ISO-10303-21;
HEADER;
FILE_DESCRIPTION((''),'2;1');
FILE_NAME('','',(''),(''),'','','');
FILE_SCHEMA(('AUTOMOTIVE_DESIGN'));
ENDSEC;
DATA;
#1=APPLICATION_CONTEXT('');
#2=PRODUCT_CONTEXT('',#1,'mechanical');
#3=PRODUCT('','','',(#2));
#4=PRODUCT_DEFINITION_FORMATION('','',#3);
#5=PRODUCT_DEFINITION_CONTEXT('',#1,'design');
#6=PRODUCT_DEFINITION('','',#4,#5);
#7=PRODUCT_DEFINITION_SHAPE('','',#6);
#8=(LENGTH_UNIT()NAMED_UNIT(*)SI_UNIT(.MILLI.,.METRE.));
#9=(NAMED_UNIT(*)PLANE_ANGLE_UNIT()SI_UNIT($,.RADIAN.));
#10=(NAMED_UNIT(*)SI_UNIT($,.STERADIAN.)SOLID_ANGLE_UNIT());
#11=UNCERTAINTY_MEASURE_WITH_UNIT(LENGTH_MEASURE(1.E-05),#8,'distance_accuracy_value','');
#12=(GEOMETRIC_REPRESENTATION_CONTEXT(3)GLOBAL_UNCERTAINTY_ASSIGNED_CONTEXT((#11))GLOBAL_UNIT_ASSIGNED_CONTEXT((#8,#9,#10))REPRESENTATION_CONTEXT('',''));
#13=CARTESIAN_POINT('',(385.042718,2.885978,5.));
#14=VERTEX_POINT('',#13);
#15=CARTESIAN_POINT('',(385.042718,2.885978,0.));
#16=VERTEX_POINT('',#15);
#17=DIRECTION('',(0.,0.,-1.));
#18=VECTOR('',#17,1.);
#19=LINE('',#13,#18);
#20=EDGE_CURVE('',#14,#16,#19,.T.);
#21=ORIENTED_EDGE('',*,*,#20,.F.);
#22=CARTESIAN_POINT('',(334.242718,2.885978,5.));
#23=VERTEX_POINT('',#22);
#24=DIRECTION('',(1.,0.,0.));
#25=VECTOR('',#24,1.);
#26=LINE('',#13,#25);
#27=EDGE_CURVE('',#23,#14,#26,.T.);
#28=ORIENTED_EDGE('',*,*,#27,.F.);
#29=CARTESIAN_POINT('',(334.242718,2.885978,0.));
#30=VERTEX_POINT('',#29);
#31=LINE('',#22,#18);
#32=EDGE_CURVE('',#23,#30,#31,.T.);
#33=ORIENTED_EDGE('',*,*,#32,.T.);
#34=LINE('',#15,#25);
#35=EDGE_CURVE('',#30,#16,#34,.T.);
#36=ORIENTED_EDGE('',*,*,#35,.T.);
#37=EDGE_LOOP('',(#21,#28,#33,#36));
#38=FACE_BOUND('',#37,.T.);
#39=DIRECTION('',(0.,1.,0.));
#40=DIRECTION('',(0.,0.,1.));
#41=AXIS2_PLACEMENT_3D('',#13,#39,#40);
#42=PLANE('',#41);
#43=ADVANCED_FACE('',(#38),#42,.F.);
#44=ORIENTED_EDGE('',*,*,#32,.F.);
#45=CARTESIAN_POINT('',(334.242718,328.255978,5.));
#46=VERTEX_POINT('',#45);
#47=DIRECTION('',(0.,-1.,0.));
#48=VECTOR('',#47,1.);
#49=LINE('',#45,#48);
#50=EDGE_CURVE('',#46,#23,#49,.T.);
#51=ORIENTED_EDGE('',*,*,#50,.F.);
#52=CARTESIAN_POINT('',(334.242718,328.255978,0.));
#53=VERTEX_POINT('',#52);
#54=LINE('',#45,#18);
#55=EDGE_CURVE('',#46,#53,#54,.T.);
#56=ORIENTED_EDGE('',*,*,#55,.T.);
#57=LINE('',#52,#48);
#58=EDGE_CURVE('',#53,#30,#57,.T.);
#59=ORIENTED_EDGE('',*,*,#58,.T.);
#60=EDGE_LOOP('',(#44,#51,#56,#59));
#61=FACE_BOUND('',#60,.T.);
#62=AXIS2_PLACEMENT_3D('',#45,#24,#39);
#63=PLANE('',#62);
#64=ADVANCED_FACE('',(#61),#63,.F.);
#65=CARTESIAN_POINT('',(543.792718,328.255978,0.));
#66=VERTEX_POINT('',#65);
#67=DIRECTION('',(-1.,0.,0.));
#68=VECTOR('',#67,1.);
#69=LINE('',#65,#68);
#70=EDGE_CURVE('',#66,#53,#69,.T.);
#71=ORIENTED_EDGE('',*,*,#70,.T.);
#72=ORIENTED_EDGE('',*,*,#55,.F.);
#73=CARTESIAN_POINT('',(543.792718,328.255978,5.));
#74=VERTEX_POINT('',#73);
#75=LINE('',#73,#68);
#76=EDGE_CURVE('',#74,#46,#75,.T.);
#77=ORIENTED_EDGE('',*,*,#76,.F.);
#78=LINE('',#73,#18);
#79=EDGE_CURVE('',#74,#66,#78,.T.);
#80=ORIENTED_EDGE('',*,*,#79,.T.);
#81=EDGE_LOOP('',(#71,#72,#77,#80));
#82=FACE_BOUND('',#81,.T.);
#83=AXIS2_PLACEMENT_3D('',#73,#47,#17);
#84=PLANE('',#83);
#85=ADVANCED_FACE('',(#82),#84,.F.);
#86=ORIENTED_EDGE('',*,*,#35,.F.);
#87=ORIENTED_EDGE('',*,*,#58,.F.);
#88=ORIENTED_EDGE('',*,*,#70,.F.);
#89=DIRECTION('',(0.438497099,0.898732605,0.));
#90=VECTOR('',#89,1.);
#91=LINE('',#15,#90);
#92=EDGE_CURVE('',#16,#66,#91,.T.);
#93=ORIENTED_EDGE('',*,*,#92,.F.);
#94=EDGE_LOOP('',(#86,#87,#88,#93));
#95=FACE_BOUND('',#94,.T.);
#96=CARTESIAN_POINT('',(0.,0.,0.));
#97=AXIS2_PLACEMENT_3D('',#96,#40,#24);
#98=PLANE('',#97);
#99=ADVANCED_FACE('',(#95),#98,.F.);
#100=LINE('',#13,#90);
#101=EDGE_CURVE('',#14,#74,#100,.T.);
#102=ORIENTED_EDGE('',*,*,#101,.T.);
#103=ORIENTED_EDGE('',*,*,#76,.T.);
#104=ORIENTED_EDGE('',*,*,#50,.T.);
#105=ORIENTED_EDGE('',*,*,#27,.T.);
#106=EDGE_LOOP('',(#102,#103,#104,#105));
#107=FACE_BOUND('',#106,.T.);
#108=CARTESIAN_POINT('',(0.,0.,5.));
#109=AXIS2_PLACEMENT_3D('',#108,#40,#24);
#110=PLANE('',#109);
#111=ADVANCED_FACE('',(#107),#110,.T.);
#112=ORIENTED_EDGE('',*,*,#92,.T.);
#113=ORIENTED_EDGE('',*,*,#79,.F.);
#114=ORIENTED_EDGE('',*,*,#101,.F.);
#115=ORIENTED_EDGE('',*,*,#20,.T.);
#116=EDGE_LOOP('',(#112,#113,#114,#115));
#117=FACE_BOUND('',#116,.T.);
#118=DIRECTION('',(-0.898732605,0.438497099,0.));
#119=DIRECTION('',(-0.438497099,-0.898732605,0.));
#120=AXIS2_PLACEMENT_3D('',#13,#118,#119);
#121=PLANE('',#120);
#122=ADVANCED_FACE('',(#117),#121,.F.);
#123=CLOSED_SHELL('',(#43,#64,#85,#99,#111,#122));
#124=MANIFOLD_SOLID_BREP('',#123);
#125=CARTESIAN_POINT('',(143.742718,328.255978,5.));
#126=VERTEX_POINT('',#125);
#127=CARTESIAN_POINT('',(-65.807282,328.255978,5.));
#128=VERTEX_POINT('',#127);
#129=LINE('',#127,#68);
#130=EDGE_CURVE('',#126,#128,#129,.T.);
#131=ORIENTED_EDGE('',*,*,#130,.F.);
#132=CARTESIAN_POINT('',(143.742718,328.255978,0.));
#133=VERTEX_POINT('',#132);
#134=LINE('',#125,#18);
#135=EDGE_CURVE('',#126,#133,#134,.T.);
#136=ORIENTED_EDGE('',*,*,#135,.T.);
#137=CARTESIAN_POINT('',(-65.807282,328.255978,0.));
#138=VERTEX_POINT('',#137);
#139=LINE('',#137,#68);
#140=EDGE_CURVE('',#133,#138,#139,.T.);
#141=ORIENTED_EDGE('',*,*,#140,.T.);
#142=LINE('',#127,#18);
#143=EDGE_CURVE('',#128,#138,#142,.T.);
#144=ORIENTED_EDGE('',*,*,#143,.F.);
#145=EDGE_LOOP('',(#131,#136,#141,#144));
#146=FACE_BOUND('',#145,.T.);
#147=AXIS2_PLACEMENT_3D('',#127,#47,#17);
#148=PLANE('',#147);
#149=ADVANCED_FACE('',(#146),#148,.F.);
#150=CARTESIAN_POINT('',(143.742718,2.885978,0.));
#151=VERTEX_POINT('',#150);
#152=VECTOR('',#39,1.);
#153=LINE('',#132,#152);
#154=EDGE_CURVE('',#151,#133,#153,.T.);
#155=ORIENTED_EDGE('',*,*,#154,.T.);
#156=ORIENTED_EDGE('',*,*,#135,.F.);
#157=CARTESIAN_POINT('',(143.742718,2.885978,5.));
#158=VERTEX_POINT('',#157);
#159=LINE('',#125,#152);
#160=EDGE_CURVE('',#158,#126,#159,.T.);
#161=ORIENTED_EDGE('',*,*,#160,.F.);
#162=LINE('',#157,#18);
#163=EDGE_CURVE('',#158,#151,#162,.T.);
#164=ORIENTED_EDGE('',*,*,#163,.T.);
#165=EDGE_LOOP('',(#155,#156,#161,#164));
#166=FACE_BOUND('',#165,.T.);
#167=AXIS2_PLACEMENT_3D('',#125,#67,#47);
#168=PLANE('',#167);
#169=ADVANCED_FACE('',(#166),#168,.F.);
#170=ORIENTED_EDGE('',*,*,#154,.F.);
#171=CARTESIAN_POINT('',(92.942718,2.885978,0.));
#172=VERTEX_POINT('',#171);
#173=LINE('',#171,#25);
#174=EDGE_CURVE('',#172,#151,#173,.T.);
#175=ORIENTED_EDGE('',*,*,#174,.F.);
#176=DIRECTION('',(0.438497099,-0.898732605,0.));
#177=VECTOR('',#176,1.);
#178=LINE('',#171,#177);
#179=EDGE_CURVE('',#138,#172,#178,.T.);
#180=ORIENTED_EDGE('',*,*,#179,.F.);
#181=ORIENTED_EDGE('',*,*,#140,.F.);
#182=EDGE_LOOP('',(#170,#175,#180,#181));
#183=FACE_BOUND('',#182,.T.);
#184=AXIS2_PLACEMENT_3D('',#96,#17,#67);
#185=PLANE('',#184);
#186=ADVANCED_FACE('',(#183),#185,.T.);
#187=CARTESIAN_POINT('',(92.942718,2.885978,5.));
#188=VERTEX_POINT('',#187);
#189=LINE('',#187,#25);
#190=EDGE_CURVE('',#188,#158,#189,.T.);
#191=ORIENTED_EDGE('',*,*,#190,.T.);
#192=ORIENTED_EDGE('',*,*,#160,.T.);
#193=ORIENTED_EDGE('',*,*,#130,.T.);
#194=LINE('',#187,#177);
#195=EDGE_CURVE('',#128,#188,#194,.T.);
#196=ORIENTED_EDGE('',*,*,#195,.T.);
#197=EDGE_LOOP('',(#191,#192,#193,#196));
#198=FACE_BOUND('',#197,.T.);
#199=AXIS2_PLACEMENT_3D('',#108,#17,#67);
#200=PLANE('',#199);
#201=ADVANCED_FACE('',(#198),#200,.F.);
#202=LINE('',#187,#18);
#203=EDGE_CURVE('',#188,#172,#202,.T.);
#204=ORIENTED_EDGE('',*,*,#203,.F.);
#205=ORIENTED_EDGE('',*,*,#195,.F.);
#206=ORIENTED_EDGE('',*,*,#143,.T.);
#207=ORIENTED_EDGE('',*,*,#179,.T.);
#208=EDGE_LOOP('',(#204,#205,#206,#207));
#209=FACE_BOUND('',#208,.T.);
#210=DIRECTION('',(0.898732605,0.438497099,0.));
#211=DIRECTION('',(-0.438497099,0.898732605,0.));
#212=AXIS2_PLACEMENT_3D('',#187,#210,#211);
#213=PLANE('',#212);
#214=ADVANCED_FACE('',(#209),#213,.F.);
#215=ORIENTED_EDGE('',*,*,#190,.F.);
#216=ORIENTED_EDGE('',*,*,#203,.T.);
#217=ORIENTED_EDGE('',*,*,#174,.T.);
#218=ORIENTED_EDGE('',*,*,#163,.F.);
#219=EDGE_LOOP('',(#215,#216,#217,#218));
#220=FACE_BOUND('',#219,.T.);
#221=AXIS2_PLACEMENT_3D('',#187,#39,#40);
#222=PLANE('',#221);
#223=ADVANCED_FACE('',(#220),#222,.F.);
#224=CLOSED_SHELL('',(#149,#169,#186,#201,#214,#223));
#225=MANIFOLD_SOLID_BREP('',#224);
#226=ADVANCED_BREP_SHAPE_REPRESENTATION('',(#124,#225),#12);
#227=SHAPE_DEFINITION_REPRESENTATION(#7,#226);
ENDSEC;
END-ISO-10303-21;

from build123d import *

# Parameters (mm, degrees)
EXTRUDE_1_DEPTH   = 5
EXTRUDE_1_2_DEPTH = 5


with BuildPart() as part:
    # 草图1 → 凸台-拉伸1 (new body)
    with BuildSketch(Plane.XY):
        Polygon((92.942718044, 2.885977654), (143.742718044, 2.885977654), (143.742718044, 328.255977654), (-65.807281956, 328.255977654), align=None)
    extrude(amount=EXTRUDE_1_DEPTH)


with BuildPart() as body_2:
    # 草图1 → Extrude 1 2 (new body)
    with BuildSketch(Plane.XY):
        Polygon((334.242718044, 328.255977654), (334.242718044, 2.885977654), (385.042718044, 2.885977654), (543.792718044, 328.255977654), align=None)
    extrude(amount=EXTRUDE_1_2_DEPTH)


solid = Compound([part.part, body_2.part])
